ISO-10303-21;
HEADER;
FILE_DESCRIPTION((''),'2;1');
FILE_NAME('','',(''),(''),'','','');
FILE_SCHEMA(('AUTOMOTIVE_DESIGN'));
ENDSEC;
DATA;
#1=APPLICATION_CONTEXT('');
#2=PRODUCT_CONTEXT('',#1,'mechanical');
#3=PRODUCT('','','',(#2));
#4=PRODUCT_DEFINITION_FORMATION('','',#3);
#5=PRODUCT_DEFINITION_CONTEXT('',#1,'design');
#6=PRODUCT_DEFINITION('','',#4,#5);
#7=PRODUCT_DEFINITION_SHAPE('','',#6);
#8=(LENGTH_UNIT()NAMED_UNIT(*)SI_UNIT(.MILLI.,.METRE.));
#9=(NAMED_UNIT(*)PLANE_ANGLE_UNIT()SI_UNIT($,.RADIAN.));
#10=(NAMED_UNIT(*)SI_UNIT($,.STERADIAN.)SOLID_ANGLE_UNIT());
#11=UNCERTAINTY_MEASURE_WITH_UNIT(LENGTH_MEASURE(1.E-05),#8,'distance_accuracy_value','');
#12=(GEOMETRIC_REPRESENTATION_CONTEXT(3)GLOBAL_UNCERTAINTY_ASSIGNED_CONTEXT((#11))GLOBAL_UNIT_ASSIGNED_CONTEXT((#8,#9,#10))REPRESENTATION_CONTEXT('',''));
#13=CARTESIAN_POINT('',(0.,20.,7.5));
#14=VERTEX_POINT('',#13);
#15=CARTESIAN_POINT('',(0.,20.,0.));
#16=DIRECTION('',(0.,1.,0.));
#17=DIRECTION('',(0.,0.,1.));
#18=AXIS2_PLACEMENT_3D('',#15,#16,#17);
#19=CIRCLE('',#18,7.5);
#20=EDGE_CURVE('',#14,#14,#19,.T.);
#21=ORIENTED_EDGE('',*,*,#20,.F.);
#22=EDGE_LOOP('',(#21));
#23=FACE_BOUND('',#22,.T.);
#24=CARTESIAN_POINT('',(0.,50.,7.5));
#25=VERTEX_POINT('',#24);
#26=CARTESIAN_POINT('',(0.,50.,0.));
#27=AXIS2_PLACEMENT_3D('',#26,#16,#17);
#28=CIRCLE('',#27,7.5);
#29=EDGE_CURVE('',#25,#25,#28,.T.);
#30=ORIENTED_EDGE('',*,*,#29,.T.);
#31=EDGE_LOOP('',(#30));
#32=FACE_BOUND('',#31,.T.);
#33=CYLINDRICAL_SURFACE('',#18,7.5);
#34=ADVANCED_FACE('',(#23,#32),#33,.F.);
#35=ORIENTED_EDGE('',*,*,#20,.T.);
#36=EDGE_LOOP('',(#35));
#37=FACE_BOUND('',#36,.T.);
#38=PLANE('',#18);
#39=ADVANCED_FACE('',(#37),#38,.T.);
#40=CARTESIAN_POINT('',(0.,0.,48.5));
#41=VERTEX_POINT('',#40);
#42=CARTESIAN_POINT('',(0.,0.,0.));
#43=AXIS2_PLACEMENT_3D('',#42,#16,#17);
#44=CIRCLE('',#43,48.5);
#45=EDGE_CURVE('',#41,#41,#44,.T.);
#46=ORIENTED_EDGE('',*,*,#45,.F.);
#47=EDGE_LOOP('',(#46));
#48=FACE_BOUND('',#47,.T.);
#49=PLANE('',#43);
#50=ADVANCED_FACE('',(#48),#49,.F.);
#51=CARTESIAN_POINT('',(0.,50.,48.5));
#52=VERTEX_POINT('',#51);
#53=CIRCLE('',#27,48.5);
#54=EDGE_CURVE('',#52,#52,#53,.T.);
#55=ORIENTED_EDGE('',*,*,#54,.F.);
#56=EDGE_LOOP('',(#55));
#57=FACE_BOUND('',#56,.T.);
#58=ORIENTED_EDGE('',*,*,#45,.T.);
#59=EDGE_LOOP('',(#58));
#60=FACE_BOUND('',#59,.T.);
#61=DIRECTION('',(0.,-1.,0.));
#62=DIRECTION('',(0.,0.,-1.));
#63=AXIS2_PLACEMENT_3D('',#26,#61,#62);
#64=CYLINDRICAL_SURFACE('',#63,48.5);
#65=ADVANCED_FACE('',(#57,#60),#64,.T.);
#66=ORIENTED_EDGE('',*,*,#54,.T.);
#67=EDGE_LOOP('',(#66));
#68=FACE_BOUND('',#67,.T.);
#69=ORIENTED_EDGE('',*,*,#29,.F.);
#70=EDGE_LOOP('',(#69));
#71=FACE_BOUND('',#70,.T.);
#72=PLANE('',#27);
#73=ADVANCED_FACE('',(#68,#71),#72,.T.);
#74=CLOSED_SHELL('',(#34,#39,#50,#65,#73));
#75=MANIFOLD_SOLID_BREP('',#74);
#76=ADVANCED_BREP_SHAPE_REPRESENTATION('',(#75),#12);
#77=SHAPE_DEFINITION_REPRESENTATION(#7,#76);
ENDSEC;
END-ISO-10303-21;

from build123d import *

# Parameters (mm, degrees)
SKETCH1_R           = 48.5
BOSS_EXTRUDE1_DEPTH = 50
SKETCH2_R           = 7.5
CUT_EXTRUDE1_DEPTH  = 30


with BuildPart() as part:
    # Sketch1 → Boss-Extrude1 (new body)
    with BuildSketch(Plane(origin=(0, 0, 0), x_dir=(1, 0, 0), z_dir=(0, 1, 0))):
        with Locations(Location((0, 0, 0), (0, 0, 270))):
            Circle(SKETCH1_R)
    extrude(amount=BOSS_EXTRUDE1_DEPTH)

    # Sketch2 → Cut-Extrude1 (cut)
    with BuildSketch(Plane(origin=(0, 50, 0), x_dir=(1, 0, 0), z_dir=(0, 1, 0))):
        with Locations(Location((0, 0, 0), (0, 0, 270))):
            Circle(SKETCH2_R)
    extrude(amount=-CUT_EXTRUDE1_DEPTH, mode=Mode.SUBTRACT)


solid = part.part
